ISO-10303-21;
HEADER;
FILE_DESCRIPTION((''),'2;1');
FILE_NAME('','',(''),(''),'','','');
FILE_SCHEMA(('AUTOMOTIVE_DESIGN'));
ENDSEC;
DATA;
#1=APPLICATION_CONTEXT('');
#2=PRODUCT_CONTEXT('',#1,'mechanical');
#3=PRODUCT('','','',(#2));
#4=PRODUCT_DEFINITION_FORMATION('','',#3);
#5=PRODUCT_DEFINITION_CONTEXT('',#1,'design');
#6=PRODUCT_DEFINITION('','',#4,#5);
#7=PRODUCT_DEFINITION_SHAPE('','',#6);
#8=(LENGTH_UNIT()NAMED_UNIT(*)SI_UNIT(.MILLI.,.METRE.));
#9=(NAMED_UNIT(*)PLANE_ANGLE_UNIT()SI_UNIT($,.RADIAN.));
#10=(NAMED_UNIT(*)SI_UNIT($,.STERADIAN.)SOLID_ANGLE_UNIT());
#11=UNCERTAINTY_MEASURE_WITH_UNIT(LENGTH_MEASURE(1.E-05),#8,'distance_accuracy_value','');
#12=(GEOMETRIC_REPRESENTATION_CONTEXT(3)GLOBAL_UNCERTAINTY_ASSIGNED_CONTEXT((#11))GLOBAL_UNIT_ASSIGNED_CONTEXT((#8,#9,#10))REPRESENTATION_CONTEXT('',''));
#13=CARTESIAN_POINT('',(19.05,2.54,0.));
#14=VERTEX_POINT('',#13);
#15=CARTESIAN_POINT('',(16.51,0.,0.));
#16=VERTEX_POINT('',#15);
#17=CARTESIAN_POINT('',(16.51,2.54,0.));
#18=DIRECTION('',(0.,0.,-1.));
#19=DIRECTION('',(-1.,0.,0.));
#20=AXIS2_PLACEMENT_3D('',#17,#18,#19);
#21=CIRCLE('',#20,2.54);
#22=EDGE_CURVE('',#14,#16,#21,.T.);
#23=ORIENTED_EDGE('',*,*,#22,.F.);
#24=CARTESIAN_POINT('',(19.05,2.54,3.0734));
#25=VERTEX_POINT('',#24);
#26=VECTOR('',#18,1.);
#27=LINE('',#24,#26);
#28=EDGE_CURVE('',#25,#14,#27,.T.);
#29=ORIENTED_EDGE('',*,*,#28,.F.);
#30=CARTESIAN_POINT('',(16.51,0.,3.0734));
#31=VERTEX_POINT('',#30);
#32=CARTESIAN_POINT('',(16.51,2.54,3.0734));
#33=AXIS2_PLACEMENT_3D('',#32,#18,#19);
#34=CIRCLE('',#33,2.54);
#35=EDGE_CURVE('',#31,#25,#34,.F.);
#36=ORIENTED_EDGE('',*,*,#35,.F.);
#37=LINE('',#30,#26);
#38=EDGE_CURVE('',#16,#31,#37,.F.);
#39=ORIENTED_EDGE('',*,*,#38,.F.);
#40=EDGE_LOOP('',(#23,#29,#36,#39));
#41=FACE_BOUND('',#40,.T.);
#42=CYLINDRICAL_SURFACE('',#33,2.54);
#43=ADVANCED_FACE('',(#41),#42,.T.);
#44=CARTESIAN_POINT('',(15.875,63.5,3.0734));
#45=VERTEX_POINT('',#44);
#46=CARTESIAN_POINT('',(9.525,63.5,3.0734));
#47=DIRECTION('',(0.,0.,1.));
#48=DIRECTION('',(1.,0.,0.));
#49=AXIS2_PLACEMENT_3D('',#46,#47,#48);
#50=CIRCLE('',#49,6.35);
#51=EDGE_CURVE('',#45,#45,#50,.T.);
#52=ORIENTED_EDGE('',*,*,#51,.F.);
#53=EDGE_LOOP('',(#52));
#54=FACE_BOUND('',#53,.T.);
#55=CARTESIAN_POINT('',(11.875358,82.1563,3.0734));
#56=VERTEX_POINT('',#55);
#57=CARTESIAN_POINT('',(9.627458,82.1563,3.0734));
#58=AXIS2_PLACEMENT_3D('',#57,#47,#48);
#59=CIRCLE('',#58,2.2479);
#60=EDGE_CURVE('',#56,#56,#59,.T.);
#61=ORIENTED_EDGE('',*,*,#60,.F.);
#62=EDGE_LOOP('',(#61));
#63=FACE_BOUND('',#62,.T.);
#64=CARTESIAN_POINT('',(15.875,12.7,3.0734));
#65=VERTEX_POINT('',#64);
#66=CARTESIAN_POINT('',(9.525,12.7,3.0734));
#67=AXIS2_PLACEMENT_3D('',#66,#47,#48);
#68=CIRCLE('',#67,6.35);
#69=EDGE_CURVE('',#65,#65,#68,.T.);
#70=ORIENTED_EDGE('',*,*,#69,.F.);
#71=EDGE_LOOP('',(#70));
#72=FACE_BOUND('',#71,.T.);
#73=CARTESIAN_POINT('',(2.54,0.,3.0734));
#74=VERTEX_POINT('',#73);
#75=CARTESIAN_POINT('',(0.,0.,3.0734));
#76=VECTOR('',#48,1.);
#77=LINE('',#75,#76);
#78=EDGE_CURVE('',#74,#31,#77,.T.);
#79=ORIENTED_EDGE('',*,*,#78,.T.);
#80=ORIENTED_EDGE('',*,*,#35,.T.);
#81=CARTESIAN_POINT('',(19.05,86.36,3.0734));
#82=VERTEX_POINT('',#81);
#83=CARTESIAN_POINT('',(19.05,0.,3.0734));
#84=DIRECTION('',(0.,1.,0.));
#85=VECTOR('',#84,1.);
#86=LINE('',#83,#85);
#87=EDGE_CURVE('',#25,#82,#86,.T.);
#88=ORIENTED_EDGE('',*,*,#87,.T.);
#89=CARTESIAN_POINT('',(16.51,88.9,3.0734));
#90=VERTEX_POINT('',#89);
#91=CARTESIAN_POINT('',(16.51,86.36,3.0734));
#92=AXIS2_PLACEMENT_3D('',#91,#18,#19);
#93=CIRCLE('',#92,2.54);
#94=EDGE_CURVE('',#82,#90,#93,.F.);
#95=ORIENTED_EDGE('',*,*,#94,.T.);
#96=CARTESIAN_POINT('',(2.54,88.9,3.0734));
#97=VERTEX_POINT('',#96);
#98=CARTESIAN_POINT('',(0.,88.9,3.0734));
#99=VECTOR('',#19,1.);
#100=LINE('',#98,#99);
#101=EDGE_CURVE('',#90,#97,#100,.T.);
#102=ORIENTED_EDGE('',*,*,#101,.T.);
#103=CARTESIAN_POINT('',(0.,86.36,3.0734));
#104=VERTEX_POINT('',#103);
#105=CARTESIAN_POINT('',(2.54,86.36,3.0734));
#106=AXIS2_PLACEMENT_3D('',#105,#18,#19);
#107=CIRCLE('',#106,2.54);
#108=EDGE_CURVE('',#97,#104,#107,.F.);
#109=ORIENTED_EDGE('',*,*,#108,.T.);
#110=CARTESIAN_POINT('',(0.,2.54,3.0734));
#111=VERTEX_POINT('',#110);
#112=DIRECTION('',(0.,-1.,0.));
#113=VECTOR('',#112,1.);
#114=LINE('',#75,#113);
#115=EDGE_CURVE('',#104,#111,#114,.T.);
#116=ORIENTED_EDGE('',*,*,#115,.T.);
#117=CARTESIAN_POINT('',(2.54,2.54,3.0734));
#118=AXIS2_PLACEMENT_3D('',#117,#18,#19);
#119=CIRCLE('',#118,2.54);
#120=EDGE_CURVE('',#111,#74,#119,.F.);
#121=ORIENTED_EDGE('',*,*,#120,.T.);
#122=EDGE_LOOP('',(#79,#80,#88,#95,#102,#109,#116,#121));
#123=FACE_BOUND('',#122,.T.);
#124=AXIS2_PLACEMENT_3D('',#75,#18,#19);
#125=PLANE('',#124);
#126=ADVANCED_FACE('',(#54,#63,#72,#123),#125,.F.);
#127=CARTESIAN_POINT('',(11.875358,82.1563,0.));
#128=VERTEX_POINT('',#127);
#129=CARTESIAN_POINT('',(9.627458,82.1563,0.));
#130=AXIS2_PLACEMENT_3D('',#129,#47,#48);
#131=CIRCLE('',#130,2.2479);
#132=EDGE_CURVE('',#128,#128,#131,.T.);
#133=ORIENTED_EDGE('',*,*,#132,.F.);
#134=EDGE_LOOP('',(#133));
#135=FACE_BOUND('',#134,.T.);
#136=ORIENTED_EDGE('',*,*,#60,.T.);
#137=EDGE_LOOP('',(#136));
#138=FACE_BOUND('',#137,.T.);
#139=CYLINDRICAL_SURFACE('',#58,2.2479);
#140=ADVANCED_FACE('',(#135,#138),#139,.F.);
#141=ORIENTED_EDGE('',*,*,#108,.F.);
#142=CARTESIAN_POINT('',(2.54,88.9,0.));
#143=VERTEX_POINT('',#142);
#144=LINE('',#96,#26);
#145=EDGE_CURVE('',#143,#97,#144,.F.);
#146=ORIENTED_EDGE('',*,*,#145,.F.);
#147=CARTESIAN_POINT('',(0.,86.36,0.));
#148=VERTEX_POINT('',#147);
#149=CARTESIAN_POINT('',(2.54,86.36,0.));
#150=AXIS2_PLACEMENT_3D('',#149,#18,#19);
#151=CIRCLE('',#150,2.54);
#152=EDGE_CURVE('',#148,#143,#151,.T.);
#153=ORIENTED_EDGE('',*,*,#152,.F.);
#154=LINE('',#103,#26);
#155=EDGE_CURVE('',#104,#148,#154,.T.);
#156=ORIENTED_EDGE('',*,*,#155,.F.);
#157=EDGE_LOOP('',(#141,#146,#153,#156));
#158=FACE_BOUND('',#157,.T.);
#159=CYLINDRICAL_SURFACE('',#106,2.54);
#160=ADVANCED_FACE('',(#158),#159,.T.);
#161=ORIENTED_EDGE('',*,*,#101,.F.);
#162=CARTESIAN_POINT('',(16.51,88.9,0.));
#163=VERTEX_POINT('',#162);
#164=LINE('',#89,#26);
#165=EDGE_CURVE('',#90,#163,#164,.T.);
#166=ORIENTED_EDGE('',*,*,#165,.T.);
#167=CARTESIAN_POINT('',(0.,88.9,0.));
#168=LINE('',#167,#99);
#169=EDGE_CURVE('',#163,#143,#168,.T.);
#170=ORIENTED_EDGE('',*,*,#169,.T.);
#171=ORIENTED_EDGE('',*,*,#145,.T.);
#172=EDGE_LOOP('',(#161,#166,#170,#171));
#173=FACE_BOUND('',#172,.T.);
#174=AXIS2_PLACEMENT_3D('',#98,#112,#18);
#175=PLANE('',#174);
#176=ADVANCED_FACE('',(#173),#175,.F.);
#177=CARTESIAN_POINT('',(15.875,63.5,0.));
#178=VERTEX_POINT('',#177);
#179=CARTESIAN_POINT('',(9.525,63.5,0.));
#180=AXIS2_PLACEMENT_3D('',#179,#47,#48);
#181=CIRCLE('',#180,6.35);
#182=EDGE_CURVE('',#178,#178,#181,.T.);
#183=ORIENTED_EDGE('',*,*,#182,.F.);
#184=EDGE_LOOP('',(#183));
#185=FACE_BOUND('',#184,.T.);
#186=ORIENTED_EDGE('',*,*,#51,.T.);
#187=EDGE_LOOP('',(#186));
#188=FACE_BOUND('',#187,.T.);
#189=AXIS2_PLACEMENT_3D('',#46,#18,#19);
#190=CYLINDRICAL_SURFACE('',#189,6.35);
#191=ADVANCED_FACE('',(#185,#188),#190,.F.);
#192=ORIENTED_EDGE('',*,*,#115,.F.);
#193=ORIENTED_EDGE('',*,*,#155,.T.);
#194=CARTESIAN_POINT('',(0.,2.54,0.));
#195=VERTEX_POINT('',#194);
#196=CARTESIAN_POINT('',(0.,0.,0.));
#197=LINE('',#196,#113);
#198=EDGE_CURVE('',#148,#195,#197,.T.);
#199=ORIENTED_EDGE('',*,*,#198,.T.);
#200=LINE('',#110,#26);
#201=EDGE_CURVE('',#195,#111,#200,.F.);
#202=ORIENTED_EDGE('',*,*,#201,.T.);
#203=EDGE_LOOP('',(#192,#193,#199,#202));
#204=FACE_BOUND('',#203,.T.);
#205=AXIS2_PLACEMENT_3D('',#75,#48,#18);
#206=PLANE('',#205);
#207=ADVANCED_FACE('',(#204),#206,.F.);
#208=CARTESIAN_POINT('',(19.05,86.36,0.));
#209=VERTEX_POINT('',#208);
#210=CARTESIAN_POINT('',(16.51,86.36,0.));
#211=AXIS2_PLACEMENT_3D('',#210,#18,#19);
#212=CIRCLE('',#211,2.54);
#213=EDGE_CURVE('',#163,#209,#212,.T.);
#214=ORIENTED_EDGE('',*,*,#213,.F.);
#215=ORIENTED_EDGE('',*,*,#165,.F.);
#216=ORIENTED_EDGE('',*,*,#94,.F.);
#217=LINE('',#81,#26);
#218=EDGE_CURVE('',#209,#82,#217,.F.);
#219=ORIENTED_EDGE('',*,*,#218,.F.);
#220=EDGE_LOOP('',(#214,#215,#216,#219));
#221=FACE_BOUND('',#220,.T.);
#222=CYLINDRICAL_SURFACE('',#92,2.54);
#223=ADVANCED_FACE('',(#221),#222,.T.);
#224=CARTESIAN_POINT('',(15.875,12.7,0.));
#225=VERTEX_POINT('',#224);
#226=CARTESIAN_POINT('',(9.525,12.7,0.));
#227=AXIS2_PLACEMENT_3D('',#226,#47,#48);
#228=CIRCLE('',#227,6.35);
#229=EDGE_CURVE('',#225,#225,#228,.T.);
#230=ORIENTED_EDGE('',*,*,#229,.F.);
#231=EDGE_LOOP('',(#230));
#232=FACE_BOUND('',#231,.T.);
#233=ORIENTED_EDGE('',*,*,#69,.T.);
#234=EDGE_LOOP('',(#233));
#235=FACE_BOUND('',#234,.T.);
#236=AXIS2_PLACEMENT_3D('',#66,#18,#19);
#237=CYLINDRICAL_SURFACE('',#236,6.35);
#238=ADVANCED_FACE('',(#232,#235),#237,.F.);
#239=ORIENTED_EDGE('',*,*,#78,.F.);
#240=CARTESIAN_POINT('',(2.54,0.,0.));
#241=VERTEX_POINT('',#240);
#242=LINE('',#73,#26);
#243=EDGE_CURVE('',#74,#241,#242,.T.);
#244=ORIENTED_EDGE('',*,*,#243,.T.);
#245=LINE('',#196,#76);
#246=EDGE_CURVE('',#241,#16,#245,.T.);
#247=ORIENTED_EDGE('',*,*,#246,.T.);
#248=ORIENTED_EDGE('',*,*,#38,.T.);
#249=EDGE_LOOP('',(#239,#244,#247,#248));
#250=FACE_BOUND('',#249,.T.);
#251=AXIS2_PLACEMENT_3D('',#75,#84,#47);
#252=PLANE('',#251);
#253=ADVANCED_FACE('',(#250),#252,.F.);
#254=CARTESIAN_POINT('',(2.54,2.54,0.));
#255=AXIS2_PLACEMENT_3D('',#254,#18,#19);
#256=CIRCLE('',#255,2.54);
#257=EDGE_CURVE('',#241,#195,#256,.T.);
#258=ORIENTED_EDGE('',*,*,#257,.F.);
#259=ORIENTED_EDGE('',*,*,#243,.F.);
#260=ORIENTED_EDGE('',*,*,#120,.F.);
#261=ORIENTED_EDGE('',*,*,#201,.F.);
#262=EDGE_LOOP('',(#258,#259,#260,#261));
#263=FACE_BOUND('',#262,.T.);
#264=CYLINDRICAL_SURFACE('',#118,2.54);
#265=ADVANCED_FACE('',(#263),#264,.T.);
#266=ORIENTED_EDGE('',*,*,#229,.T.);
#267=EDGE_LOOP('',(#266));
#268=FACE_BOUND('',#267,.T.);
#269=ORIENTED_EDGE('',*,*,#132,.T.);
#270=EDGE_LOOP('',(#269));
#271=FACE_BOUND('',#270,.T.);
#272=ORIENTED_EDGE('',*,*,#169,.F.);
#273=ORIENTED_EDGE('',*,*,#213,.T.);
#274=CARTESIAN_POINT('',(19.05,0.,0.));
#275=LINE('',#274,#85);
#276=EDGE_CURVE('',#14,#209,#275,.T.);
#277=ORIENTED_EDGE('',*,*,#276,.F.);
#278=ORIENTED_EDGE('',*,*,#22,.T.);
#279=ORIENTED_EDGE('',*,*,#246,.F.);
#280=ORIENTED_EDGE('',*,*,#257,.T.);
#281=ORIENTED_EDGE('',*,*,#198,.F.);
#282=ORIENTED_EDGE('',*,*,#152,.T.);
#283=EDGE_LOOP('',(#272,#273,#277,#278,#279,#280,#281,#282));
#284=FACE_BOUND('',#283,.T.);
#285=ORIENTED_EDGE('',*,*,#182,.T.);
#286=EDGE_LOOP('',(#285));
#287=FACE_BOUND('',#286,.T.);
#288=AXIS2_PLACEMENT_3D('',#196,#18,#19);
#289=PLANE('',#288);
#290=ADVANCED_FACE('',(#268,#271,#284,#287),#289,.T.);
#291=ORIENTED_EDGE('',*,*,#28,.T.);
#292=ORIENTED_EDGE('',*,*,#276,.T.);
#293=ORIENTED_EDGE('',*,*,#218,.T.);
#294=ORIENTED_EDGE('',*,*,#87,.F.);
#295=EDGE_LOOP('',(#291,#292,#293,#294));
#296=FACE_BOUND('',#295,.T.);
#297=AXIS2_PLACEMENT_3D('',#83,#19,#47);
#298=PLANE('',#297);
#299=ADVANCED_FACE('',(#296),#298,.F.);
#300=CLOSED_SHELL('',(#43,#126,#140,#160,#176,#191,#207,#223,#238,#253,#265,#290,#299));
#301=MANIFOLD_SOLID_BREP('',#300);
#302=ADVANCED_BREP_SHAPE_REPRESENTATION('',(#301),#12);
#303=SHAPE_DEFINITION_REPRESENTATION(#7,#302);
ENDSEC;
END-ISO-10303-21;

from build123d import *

# Parameters (mm, degrees)
SKETCH1_W             = 19.05
SKETCH1_H             = 88.9
SKETCH1_R             = 6.35
BOSS_EXTRUDE1_DEPTH   = 3.0734
F_8_CLEARANCE_HOLE1_D = 4.4958
FILLET1_R             = 2.54


with BuildPart() as part:
    # Sketch1 → Boss-Extrude1 (new body)
    with BuildSketch(Plane.XY):
        with Locations((9.525, 44.45)):
            Rectangle(SKETCH1_W, SKETCH1_H)
        with Locations((9.525, 12.7)):
            Circle(SKETCH1_R, mode=Mode.SUBTRACT)
        with Locations((9.525, 63.5)):
            Circle(SKETCH1_R, mode=Mode.SUBTRACT)
    extrude(amount=BOSS_EXTRUDE1_DEPTH)

    # #8 Clearance Hole1 (through all)
    with Locations(Plane.XY.offset(3.0734)):
        with Locations((9.627458059, 82.1563)):
            Hole(F_8_CLEARANCE_HOLE1_D / 2)

    # Fillet1
    fillet1_edges = [part.edges().sort_by_distance(p)[0] for p in [
        (0, 88.9, 1.5367),
        (19.05, 88.9, 1.5367),
        (19.05, 0, 1.5367),
        (0, 0, 1.5367),
    ]]
    fillet(fillet1_edges, radius=FILLET1_R)


solid = part.part
